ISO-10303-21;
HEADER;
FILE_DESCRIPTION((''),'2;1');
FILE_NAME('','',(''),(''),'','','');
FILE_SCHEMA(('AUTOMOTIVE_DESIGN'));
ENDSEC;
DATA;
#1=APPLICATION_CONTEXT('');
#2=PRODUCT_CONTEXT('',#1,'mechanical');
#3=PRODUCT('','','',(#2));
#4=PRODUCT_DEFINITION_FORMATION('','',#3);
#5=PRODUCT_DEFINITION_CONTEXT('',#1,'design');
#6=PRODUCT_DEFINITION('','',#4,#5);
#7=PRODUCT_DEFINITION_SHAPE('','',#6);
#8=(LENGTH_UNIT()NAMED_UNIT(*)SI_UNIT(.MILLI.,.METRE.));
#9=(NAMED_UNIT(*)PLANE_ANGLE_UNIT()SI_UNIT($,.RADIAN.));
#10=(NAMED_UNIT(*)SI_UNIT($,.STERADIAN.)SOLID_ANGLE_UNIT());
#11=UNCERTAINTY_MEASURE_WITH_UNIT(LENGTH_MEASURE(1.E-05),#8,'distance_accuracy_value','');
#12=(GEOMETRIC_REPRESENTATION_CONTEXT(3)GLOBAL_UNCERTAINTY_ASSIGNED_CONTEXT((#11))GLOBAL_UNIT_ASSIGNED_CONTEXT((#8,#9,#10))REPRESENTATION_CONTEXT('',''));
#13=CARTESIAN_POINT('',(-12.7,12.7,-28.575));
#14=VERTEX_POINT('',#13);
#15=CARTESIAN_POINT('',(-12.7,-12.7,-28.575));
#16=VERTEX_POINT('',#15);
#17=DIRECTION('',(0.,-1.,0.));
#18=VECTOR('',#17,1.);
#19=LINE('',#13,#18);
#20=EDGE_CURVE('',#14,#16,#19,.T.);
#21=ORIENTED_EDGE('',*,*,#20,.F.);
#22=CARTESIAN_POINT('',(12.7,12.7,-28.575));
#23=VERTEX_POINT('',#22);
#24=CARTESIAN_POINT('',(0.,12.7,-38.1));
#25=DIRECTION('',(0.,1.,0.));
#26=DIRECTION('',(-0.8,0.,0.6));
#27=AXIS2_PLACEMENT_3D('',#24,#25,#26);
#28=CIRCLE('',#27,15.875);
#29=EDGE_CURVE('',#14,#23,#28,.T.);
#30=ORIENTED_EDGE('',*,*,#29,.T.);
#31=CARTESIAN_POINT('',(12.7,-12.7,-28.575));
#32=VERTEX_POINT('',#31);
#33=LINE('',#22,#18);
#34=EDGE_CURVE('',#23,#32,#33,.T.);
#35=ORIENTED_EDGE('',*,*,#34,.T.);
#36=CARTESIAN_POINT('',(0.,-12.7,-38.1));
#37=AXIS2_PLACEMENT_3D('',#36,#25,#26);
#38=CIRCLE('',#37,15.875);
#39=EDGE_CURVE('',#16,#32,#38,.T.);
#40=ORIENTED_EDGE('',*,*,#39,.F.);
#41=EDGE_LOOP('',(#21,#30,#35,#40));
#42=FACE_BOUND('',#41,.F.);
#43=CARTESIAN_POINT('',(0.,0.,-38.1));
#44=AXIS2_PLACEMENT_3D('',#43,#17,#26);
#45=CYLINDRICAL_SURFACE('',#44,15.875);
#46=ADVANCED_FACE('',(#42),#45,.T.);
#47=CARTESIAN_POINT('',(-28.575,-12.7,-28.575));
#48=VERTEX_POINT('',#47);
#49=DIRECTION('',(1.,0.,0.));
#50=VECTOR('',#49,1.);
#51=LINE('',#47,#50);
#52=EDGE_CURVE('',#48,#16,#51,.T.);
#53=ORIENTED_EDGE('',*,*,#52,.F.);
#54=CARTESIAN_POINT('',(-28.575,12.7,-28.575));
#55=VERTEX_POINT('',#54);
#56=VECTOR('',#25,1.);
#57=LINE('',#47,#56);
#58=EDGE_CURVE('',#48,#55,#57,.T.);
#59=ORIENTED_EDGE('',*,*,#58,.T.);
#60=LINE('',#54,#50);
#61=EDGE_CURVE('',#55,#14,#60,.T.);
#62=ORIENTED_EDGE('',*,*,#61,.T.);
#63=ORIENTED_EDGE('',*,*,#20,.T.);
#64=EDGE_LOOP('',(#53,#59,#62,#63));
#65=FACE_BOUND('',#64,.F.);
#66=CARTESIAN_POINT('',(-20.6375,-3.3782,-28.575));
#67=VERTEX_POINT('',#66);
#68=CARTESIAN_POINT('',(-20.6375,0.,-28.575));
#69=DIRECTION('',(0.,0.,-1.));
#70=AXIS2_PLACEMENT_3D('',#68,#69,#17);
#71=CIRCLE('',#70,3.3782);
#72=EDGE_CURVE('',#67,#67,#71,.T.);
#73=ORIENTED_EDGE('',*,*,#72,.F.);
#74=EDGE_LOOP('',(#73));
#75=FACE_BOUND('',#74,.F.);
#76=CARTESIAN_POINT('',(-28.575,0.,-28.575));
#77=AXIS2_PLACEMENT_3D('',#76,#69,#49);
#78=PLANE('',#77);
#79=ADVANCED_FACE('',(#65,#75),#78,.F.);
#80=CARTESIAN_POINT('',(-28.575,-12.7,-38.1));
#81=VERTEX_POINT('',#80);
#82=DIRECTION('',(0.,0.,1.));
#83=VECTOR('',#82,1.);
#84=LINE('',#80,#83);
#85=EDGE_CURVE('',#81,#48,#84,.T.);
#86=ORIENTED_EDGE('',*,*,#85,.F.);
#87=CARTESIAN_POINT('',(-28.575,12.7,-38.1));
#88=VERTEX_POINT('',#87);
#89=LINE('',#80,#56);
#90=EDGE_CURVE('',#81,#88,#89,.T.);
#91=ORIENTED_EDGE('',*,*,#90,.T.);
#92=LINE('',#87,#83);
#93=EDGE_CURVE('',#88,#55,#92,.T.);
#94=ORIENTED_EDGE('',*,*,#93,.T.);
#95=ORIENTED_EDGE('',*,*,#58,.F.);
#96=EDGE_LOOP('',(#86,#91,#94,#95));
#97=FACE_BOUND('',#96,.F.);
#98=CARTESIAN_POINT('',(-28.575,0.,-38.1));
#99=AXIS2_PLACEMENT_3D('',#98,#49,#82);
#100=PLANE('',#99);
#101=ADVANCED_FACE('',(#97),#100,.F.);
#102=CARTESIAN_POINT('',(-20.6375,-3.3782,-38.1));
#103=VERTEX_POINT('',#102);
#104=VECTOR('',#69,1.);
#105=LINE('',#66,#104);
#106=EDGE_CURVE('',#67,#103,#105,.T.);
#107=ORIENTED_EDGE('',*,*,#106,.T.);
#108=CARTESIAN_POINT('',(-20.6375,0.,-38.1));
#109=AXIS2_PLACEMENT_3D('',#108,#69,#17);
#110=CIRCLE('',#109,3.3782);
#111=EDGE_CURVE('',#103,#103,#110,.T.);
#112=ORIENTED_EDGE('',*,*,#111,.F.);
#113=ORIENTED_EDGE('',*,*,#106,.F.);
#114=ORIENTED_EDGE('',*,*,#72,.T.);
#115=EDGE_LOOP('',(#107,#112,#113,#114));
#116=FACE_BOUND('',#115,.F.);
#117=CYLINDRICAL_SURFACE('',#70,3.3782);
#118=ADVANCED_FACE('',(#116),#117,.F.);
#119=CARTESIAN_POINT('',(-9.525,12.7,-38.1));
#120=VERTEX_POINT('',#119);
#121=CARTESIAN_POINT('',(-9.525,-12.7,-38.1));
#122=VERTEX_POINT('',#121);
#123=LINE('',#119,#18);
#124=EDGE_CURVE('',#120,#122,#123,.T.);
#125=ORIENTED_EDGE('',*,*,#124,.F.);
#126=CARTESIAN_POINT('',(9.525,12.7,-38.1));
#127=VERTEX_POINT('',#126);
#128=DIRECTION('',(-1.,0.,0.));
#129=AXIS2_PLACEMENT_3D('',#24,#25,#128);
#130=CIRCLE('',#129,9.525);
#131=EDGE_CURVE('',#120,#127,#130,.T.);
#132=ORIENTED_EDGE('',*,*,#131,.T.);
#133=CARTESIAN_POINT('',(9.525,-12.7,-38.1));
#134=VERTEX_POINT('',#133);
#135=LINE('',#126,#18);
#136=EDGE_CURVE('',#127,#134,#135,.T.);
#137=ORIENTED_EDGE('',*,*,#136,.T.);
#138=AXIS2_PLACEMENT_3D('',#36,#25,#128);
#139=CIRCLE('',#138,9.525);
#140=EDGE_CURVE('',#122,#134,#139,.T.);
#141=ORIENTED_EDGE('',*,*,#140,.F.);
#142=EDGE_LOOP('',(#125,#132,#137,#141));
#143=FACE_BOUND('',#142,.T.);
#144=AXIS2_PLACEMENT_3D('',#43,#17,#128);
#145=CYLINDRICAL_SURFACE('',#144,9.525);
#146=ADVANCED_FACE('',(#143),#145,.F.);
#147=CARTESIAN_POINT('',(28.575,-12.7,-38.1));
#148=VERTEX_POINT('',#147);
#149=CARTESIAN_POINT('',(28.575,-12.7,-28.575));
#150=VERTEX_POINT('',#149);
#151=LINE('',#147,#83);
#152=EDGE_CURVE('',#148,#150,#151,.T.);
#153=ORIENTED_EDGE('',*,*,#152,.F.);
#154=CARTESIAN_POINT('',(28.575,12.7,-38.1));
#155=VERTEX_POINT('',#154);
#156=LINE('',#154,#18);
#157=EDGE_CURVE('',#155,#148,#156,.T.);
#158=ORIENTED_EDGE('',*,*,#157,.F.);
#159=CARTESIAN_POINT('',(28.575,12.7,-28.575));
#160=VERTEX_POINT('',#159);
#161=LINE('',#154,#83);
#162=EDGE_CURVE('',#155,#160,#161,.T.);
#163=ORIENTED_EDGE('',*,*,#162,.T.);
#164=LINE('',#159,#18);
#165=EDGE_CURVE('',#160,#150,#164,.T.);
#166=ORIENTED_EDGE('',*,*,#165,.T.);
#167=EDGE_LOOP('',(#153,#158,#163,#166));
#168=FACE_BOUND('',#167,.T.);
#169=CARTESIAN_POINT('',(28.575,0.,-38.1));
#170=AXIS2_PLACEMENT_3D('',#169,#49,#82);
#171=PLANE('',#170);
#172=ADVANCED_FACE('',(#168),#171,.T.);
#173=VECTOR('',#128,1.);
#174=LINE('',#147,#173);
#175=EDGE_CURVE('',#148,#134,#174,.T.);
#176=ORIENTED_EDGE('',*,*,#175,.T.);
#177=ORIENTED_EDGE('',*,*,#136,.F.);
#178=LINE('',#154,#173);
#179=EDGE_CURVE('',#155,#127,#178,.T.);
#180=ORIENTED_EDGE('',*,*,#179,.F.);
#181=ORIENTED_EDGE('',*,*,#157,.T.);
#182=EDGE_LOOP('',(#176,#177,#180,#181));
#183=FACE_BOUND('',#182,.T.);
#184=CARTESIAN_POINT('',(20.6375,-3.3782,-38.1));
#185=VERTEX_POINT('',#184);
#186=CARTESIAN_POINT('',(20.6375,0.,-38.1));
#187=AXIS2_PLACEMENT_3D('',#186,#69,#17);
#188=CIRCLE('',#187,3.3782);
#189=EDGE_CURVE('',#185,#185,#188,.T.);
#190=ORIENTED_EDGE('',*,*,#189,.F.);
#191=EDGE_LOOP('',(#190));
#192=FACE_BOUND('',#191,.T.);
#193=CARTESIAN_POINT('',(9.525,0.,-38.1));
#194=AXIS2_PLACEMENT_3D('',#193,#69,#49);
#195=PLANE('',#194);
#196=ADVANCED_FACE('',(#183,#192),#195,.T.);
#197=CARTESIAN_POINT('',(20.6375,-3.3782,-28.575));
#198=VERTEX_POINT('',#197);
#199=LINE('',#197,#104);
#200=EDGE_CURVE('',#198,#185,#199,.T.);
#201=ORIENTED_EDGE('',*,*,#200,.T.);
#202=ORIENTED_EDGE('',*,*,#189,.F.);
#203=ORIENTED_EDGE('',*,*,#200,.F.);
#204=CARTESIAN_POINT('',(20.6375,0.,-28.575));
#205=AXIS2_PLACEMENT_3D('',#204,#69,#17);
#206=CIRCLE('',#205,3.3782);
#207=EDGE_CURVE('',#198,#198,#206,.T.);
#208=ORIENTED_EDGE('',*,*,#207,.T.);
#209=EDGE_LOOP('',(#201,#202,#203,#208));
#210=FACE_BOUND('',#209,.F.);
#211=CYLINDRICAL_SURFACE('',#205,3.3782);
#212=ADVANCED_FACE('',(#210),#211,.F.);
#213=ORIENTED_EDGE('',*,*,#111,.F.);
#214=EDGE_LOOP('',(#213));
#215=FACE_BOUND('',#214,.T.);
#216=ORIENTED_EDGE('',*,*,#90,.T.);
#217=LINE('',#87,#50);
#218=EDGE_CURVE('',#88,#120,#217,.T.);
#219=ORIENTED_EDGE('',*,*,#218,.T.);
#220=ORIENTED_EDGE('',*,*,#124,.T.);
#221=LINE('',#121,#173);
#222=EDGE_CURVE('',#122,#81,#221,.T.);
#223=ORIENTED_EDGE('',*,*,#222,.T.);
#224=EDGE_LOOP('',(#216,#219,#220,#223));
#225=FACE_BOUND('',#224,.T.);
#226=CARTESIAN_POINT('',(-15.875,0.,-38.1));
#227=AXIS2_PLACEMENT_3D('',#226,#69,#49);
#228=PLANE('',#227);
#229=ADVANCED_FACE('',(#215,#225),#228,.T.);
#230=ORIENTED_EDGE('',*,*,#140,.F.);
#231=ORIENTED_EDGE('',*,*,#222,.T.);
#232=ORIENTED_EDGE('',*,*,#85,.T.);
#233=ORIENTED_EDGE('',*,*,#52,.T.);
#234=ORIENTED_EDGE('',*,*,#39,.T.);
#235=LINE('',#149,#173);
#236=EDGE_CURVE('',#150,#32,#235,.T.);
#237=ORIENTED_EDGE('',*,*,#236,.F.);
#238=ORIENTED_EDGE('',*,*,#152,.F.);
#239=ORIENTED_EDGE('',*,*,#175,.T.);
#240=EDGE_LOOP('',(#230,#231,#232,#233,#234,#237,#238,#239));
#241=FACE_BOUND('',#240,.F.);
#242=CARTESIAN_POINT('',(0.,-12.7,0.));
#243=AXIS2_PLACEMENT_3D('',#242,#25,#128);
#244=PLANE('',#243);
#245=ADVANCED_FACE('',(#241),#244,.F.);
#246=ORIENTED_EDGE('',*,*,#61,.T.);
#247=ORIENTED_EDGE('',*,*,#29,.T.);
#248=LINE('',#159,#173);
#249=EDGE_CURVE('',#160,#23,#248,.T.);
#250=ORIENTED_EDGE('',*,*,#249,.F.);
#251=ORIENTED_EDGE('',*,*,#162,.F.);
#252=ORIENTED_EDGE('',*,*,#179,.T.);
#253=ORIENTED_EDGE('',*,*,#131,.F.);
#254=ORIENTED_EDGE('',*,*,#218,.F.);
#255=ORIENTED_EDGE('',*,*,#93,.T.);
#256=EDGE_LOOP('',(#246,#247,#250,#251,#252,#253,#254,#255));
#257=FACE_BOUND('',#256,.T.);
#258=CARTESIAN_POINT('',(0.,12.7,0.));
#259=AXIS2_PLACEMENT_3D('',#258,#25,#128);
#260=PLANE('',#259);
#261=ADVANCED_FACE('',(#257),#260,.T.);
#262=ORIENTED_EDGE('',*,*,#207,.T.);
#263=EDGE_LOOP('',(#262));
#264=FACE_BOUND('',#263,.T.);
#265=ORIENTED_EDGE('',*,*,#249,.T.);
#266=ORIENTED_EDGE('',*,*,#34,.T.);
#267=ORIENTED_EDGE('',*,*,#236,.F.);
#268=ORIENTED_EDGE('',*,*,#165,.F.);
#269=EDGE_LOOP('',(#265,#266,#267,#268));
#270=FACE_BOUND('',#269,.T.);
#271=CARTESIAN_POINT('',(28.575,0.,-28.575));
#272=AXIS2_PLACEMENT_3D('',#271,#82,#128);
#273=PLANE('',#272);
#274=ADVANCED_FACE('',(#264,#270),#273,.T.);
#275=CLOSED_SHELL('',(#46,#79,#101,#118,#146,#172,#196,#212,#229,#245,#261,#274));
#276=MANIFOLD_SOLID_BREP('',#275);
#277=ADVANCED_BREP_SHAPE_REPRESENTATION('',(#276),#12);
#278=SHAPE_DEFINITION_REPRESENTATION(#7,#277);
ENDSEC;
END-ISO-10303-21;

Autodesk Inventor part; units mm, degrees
ref_plane "YZ Plane" through (0, 0, 0) normal (1, 0, 0) x (0, 1, 0)
ref_plane "XZ Plane" through (0, 0, 0) normal (0, 1, 0) x (-1, 0, 0)
ref_plane "XY Plane" through (0, 0, 0) normal (0, 0, 1) x (1, 0, 0)
sketch "Sketch1" plane through (0, 0, 0) normal (0, 1, 0) x (-1, 0, 0)
  line L0 (0, 0) -> (0, 38.1) construction
  line L1 (0, 0) -> (0, -38.1) construction
  arc A0 (-9.525, -38.1) -> (9.525, -38.1) centre (0, -38.1) ccw construction
  circle A1 centre (0, 38.1) radius 9.525 construction
  line L2 (15.875, -38.1) -> (28.575, -38.1)
  line L3 (15.875, -38.1) -> (-15.875, -38.1) construction
  line L4 (15.875, -38.1) -> (9.525, -38.1)
  line L5 (-9.525, -38.1) -> (-15.875, -38.1)
  arc A2 (9.525, -38.1) -> (-9.525, -38.1) centre (0, -38.1) ccw construction
  arc A3 (12.7, -28.575) -> (-12.7, -28.575) centre (0, -38.1) ccw
  arc A4 (9.525, -38.1) -> (-9.525, -38.1) centre (0, -38.1) ccw
  line L6 (28.575, -38.1) -> (28.575, -28.575)
  line L7 (28.575, -28.575) -> (12.7, -28.575)
  line L8 (-15.875, -38.1) -> (-28.575, -38.1)
  line L9 (-28.575, -38.1) -> (-28.575, -28.575)
  line L10 (-28.575, -28.575) -> (-12.7, -28.575)
  point P0 (-101.6, -47.625)
  dimension "d0" = 76.2
  dimension "d1" = 19.05
  dimension "d9" = 9.525
  dimension "d17" = 15.875
  dimension "d18" = 15.875
extrude "Extrusion1" add sketch "Sketch1" along normal mid plane 25.4
sketch "Sketch2" plane through (-28.575, 12.7, -28.575) normal (0, 0, 1) x (1, 0, 0)
  line L0 (19.05, 0) -> (0, 0) construction
  line L1 (15.875, -25.4) -> (15.875, 0) construction
  line L2 (0, 0) -> (15.875, -25.4) construction
  line L3 (15.875, -25.4) -> (0, -25.4) construction
  line L4 (15.875, 0) -> (0, -25.4) construction
  point P0 (28.575, -12.7)
  point P1 (7.9375, -12.7)
hole "Hole1" at (-20.6375, 0, -28.575) direction (0, 0, -1) diameter 6.7564 end through all clearance for "Flat Head Machine Screw (82)" size "1/4" standard "Ansi Unified Screw Threads"
sketch "Sketch3" plane through (12.7, 12.7, -28.575) normal (0, 0, 1) x (1, 0, 0)
  line L0 (0, -25.4) -> (0, 0) construction
  line L1 (15.875, -25.4) -> (15.875, 0) construction
  line L2 (0, 0) -> (15.875, -25.4) construction
  line L3 (15.875, -25.4) -> (15.875, 0) construction
  line L4 (15.875, 0) -> (0, -25.4) construction
  point P0 (-12.7, -12.7)
  point P1 (7.9375, -12.7)
hole "Hole2" at (20.6375, 0, -28.575) direction (0, 0, -1) diameter 6.7564 end through all clearance for "Flat Head Machine Screw (82)" size "1/4" standard "Ansi Unified Screw Threads"
equation "\"d0\" = crutchTubSpacing"
equation "\"d1\" = cruchTubeDiam"
equation "\"cruchTubeDiam\" = 19.05"
equation "\"wallThickness\" = 6.35"
equation "\"crutchTubSpacing\" = 76.2"
equation "\"supportHeight\" = 25.4"
properties part number "innerCrutchAttacement"
